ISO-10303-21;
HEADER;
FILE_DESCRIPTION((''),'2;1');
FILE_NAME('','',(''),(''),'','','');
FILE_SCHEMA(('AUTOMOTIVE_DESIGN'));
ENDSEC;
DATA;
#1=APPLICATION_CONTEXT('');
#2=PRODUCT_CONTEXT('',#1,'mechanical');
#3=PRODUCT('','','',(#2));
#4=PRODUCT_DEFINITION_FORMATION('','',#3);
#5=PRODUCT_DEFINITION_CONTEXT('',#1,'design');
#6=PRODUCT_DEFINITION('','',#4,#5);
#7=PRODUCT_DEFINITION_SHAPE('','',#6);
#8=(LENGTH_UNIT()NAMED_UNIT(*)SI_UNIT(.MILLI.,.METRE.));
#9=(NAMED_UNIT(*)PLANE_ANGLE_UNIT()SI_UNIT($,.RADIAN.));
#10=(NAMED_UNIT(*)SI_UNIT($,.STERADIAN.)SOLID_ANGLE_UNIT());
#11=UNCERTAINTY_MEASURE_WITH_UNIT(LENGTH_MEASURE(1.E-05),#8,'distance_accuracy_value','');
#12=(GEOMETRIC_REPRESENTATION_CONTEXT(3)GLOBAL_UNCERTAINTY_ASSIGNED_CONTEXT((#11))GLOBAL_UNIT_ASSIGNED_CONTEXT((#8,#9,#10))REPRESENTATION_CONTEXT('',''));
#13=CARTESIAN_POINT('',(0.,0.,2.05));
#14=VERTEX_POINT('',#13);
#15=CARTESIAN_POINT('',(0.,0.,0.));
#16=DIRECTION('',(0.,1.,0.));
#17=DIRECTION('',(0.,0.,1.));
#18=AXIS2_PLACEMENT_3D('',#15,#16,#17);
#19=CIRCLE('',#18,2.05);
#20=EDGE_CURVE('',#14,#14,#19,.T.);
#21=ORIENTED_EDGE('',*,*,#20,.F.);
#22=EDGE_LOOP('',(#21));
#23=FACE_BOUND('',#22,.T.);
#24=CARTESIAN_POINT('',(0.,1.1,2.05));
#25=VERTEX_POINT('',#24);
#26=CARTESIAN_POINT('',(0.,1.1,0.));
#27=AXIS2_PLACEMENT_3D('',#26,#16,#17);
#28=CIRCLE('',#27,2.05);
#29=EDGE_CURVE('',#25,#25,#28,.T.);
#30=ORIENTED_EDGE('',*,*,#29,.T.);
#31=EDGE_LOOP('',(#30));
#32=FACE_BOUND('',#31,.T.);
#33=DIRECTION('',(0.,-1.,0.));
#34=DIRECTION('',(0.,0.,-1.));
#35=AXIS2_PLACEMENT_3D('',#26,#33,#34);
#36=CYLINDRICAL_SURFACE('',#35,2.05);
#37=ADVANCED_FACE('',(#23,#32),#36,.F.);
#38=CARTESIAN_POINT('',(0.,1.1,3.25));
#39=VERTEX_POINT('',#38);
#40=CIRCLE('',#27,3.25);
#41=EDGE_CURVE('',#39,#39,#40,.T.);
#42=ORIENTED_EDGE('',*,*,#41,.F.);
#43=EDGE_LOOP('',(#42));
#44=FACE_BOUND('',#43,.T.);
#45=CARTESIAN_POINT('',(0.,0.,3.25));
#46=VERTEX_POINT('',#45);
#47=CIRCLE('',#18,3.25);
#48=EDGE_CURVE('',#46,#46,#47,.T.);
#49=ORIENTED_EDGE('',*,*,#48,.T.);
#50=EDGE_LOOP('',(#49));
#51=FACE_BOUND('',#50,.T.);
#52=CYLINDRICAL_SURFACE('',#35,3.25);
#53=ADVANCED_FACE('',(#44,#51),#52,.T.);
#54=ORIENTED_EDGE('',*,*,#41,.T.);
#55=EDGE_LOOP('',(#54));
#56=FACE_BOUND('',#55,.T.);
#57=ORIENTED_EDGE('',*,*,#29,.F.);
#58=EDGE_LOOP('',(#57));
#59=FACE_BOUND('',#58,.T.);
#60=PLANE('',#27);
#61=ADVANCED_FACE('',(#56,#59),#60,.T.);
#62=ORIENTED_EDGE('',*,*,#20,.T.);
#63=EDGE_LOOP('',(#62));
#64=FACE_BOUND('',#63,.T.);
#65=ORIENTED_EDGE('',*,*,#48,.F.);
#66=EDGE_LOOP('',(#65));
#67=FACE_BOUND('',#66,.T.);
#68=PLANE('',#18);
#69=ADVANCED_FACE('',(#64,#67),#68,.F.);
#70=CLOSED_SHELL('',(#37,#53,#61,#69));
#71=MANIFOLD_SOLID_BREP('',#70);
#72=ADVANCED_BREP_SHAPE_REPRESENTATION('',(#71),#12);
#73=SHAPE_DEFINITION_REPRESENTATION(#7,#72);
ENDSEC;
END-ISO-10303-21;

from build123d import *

# Parameters (mm, degrees)
SKETCH1_R           = 3.25
SKETCH1_R_2         = 2.05
BOSS_EXTRUDE1_DEPTH = 1.1


with BuildPart() as part:
    # Sketch1 → Boss-Extrude1 (new body)
    with BuildSketch(Plane(origin=(0, 0, 0), x_dir=(1, 0, 0), z_dir=(0, 1, 0))):
        with Locations(Location((0, 0, 0), (0, 0, 270))):
            Circle(SKETCH1_R)
        with Locations(Location((0, 0, 0), (0, 0, 270))):
            Circle(SKETCH1_R_2, mode=Mode.SUBTRACT)
    extrude(amount=BOSS_EXTRUDE1_DEPTH)


solid = part.part
